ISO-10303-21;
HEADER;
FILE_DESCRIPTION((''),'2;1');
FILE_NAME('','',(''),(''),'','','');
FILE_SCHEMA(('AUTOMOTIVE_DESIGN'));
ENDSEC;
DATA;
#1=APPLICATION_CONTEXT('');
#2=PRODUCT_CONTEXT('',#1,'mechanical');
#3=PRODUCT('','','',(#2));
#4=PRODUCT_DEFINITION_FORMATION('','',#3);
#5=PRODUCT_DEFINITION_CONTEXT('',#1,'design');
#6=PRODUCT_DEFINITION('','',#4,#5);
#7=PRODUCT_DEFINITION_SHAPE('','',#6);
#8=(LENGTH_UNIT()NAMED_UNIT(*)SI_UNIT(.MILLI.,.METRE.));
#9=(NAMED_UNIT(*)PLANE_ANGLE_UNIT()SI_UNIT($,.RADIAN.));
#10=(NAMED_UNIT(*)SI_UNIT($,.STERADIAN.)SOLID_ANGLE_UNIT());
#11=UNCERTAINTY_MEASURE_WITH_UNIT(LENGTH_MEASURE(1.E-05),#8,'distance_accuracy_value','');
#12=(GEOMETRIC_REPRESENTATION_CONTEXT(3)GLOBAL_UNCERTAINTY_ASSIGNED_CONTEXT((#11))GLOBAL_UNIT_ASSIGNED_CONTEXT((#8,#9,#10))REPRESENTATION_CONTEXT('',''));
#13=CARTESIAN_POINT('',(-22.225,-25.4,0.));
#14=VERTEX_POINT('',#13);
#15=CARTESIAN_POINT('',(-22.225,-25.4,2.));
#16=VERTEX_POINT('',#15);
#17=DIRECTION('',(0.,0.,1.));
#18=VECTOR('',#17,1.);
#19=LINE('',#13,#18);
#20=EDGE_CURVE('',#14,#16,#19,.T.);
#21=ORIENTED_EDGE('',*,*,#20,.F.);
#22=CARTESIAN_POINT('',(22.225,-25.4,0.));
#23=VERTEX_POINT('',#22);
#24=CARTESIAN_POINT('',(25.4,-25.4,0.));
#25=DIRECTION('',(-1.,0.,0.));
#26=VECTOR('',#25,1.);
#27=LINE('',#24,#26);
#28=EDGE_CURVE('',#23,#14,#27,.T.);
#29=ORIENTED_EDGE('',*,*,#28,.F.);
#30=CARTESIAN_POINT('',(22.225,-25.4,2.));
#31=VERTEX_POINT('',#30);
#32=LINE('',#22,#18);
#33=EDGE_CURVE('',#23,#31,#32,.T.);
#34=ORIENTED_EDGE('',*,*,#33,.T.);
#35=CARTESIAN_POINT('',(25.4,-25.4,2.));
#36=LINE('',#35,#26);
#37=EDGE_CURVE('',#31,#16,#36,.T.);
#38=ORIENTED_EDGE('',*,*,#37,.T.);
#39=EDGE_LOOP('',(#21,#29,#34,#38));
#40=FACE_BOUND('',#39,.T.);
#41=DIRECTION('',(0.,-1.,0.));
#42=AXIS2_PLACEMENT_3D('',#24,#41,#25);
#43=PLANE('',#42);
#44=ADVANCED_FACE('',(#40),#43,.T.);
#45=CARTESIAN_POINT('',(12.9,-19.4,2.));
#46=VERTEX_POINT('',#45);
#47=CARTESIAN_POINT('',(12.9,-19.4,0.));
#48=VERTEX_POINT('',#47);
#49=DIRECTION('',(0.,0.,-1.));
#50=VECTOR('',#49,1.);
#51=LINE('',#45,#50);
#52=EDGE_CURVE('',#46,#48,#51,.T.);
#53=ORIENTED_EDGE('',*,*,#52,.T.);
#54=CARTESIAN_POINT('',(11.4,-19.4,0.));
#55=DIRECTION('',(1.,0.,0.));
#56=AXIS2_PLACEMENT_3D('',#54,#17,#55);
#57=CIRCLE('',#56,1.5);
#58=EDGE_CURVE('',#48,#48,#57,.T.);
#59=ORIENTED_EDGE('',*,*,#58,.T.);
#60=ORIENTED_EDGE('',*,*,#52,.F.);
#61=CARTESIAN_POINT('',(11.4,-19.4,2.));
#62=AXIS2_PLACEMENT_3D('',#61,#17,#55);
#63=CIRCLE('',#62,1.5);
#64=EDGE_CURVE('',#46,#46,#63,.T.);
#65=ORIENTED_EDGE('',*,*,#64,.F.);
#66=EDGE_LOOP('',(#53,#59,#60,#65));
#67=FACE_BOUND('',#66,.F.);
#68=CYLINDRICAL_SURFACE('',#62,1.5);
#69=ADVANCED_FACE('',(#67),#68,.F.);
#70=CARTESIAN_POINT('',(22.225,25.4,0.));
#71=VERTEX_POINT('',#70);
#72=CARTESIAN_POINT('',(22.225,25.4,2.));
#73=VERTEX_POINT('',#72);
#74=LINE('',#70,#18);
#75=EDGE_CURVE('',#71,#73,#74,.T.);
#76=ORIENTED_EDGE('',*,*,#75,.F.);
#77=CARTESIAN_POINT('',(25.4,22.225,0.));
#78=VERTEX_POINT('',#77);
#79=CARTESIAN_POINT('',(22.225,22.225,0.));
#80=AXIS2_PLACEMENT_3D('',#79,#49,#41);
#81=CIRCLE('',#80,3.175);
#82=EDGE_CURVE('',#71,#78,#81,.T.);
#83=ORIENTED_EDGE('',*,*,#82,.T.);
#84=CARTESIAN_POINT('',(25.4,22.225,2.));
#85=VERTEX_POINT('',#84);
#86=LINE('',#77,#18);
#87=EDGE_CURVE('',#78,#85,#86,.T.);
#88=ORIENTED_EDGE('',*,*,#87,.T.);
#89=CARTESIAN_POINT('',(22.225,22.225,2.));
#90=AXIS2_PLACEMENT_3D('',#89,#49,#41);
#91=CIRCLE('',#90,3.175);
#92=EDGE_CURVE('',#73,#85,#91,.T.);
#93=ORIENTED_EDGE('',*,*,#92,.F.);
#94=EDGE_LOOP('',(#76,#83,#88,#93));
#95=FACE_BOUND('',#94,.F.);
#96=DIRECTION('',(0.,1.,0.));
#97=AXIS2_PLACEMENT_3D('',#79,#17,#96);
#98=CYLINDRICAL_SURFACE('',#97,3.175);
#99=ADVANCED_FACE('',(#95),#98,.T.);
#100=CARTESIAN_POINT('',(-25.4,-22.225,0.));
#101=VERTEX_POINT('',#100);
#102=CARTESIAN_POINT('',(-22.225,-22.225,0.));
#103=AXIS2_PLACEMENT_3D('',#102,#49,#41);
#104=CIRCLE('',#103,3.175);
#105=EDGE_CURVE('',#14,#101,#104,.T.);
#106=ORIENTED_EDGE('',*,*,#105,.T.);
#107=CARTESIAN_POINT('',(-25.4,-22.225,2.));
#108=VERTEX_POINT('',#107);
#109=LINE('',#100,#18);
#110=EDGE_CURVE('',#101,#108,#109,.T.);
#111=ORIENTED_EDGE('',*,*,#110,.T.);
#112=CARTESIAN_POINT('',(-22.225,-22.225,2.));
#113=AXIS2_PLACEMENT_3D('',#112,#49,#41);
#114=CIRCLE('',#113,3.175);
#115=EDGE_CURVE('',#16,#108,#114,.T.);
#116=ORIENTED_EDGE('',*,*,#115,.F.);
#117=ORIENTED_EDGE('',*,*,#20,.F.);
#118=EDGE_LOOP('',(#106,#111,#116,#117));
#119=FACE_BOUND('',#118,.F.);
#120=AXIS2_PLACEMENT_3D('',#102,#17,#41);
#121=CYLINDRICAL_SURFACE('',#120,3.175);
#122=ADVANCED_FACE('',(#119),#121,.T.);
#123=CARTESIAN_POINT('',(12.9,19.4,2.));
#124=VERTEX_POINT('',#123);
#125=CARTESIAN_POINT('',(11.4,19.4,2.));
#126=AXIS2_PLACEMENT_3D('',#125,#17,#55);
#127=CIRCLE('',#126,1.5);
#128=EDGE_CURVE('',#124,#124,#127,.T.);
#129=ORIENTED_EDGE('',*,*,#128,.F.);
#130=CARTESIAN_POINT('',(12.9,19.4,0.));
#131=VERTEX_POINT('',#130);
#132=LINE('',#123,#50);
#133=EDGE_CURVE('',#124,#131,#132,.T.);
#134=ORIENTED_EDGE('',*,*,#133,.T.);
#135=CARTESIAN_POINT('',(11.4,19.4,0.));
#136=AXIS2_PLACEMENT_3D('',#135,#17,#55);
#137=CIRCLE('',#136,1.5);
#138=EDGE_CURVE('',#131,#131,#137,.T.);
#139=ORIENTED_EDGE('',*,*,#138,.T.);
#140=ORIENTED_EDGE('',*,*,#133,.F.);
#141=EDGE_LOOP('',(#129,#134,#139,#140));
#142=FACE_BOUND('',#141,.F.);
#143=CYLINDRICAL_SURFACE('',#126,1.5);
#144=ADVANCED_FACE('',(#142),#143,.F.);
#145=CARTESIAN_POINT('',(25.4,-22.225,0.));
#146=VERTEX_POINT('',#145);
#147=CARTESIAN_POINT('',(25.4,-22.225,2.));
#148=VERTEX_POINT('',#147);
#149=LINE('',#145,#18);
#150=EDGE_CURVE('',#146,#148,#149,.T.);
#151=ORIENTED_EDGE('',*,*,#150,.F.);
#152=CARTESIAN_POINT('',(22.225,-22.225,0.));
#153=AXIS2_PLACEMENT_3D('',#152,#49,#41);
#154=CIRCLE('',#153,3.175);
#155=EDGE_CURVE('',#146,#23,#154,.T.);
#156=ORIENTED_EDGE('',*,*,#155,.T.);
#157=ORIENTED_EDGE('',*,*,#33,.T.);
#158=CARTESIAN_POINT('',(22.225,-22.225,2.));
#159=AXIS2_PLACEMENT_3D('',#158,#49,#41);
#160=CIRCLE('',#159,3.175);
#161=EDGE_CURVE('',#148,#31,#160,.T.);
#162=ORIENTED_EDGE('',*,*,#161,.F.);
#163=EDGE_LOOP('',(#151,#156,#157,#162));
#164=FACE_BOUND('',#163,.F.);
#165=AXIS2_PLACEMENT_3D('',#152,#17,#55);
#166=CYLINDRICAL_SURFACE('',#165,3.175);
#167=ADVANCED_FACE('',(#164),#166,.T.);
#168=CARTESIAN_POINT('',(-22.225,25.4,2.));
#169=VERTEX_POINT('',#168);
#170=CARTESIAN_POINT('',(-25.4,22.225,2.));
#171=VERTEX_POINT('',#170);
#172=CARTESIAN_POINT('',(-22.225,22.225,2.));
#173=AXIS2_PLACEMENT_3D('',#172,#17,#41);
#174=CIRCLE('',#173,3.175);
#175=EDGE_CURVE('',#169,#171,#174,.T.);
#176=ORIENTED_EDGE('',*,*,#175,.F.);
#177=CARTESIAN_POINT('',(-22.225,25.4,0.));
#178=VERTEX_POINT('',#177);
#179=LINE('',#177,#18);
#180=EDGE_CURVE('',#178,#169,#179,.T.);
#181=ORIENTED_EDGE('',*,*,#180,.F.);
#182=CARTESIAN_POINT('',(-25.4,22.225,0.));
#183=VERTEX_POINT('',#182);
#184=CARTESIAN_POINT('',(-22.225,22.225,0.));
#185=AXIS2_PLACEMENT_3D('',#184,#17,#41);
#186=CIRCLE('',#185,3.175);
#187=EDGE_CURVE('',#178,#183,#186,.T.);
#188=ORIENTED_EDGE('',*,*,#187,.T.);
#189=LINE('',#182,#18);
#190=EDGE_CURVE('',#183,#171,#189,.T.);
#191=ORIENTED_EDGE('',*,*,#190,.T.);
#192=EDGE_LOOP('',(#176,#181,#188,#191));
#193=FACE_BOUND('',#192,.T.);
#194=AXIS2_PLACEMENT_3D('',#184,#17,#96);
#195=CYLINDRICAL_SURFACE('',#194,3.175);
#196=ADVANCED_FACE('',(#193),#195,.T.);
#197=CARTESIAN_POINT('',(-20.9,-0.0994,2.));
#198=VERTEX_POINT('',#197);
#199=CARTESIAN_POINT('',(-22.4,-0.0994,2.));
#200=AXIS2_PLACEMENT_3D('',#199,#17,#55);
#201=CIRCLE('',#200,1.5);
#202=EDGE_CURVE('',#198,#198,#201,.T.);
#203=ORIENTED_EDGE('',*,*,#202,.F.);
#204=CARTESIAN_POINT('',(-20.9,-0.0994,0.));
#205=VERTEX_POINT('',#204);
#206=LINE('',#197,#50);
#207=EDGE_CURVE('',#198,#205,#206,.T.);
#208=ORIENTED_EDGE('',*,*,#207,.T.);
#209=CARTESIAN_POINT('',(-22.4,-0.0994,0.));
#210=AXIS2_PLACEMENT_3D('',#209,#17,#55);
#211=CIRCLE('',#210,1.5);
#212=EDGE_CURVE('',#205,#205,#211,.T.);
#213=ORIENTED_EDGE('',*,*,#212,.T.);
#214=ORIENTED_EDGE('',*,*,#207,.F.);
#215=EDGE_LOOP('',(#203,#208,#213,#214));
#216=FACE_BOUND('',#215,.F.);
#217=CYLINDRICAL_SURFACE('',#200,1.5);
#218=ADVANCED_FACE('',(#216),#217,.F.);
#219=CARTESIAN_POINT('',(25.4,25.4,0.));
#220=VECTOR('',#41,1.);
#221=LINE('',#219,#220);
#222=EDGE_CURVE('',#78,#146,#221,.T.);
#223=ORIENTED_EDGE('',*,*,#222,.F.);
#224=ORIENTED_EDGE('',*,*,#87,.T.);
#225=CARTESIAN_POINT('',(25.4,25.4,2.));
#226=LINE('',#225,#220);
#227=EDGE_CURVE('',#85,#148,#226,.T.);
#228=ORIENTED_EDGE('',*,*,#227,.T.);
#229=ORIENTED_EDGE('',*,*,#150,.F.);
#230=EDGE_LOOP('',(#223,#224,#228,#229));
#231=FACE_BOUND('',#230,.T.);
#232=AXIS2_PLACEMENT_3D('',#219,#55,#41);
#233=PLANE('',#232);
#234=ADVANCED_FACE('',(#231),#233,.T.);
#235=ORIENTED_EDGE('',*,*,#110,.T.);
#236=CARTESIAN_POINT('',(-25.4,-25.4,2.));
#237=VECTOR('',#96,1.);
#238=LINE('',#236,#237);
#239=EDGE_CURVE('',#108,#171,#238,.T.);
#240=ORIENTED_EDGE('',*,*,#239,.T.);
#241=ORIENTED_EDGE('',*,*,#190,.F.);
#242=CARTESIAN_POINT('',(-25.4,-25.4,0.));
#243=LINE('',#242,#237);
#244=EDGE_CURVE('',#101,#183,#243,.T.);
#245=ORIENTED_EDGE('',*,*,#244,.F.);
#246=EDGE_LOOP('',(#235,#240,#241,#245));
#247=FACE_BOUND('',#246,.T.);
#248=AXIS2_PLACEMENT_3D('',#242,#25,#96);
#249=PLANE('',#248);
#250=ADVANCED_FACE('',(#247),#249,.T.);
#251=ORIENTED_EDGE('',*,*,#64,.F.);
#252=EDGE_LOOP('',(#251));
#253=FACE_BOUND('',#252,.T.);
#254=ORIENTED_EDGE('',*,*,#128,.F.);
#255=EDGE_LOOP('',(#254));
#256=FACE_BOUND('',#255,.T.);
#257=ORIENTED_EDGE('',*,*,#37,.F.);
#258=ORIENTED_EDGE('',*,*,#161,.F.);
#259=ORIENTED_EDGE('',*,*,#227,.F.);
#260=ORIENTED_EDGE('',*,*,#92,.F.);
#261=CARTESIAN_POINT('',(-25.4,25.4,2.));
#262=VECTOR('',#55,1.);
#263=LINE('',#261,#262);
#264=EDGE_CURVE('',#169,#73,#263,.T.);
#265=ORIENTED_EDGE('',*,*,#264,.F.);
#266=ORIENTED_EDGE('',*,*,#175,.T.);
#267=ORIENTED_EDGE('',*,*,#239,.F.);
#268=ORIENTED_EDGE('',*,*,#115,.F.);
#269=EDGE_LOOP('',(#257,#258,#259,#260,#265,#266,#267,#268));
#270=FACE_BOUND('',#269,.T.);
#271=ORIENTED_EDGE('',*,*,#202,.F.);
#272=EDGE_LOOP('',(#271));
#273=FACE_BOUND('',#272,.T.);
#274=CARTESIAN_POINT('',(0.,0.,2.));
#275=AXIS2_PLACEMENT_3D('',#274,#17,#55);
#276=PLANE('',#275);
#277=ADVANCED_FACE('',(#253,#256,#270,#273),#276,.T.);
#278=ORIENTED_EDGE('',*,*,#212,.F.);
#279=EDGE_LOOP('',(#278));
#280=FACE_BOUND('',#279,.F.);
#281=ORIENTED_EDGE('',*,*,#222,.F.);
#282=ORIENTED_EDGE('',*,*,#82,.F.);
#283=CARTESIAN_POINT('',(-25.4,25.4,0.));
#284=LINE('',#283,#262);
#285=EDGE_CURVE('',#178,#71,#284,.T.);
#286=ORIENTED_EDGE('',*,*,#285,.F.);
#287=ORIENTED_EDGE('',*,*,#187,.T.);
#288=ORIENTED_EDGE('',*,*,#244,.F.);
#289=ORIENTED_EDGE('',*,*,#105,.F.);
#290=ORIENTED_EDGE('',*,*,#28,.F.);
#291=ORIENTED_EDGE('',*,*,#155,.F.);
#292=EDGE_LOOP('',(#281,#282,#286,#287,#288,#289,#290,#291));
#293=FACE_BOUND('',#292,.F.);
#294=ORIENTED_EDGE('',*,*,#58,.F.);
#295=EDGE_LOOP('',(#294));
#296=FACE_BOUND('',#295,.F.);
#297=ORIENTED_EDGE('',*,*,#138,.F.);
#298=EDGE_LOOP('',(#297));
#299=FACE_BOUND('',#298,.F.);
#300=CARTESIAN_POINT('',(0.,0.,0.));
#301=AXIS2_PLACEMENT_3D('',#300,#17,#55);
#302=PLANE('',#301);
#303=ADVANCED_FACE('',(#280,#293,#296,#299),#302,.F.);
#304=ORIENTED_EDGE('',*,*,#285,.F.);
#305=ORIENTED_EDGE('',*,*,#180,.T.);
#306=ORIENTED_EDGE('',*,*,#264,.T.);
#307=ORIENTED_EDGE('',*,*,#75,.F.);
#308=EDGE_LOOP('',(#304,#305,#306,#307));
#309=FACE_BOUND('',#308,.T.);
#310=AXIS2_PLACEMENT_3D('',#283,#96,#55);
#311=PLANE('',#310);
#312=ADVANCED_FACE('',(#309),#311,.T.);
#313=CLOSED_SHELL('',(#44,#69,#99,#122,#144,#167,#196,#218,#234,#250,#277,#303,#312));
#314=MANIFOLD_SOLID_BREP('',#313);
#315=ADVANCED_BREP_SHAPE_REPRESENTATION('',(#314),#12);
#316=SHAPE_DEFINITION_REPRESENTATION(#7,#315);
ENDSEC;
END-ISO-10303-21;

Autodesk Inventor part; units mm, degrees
ref_plane "YZ Plane" through (0, 0, 0) normal (1, 0, 0) x (0, 1, 0)
ref_plane "XZ Plane" through (0, 0, 0) normal (0, 1, 0) x (-1, 0, 0)
ref_plane "XY Plane" through (0, 0, 0) normal (0, 0, 1) x (1, 0, 0)
sketch "Sketch1" plane through (0, 0, 0) normal (0, 0, 1) x (1, 0, 0)
  line L0 (-25.4, 25.4) -> (25.4, 25.4)
  line L1 (25.4, 25.4) -> (25.4, -25.4)
  line L2 (25.4, -25.4) -> (-25.4, -25.4)
  line L3 (-25.4, -25.4) -> (-25.4, 25.4)
  point P0 (0, 0)
  dimension "d0" = 25.4
  dimension "d1" = 50.8
  dimension "d2" = 50.8
  dimension "d3" = 25.4
extrude "Extrusion1" add sketch "Sketch1" along normal blind 2
fillet "Fillet1" radius 3.175 4 edges at (25.4, 25.4, 1) (25.4, -25.4, 1) (-25.4, 25.4, 1) (-25.4, -25.4, 1)
sketch "Sketch2" plane through (0, 0, 2) normal (0, 0, 1) x (1, 0, 0)
  circle A0 centre (-22.4, -0.0994) radius 1.5
  circle A1 centre (11.4, -19.4) radius 1.5
  circle A2 centre (11.4, 19.4) radius 1.5
  line L0 (-25.4, 22.225) -> (-25.4, -22.225) projected
  line L1 (22.225, 25.4) -> (-22.225, 25.4) projected
  line L2 (-22.225, -25.4) -> (22.225, -25.4) projected
  line L3 (25.4, -22.225) -> (25.4, 22.225) projected
  point P0 (0, 0)
  dimension "d7" = 3
  dimension "d9" = 3
  dimension "d17" = 3
  dimension "d18" = 6
  dimension "d19" = 6
  dimension "d20" = 14
  dimension "d21" = 14
  dimension "d22" = 3
extrude "Extrusion2" cut sketch "Sketch2" against normal blind 2
equation "\"d0\" = 0.5 * d1"
equation "\"d3\" = 0.5 * d2"
equation "\"d9\" = d7"
equation "\"d19\" = d18"
equation "\"d21\" = d20"
equation "\"d22\" = d7"
properties part number "breadbord_2_inch"
